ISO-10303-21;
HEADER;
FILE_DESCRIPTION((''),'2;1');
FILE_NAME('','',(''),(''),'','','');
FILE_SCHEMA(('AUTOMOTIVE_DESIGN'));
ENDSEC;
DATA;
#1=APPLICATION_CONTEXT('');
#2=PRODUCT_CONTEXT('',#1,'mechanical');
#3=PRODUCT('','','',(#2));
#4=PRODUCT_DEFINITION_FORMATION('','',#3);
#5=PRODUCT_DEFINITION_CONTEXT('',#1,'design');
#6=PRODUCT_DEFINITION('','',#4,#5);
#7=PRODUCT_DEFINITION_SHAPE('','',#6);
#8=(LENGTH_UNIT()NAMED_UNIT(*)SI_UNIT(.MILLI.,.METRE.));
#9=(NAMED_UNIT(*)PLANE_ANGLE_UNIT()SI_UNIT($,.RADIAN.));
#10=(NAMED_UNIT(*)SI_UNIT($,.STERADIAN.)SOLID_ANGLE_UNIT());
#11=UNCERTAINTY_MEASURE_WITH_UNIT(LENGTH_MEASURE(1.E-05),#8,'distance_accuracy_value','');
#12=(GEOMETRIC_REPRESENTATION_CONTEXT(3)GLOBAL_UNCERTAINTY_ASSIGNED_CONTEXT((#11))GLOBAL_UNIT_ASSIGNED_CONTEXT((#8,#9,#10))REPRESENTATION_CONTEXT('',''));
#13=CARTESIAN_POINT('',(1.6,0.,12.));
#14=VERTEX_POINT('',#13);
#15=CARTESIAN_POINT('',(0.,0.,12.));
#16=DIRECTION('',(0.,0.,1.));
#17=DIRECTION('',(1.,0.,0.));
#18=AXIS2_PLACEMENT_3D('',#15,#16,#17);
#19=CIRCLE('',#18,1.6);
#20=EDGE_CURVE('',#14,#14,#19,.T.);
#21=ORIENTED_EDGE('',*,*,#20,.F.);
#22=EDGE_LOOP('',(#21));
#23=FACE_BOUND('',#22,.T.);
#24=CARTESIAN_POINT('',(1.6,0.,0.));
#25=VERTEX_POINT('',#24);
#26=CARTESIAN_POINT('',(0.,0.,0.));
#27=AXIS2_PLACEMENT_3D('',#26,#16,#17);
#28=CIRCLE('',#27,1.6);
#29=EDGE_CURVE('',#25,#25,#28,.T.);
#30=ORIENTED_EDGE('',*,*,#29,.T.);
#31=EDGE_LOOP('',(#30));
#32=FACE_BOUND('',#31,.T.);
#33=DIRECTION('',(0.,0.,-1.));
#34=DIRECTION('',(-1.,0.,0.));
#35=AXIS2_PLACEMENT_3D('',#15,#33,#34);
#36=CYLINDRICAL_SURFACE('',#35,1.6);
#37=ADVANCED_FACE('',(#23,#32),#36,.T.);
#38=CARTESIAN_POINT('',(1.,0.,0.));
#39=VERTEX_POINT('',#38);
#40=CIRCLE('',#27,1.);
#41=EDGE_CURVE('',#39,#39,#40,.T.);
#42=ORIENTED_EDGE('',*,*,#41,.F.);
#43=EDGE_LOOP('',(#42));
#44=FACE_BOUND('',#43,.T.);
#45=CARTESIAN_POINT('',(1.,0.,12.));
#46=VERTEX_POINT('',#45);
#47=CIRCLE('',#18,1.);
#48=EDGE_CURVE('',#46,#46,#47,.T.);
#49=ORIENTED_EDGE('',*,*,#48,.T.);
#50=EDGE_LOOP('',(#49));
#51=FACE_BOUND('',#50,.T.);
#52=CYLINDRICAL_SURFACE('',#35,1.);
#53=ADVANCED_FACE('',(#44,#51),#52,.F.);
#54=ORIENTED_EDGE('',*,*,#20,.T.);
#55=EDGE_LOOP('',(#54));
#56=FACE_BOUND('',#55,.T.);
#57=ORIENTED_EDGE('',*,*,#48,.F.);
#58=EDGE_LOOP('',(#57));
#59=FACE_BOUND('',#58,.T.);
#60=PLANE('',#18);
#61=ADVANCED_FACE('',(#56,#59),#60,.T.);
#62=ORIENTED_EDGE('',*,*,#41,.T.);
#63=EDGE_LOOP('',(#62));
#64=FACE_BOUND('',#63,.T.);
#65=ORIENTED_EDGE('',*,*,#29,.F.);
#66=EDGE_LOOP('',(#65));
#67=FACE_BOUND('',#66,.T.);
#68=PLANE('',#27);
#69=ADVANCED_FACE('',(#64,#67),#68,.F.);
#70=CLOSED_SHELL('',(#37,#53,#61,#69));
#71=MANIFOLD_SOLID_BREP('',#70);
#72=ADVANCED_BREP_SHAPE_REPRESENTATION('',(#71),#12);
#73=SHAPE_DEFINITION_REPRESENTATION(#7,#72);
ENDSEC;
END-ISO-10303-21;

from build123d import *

# Parameters (mm, degrees)
SKETCH1_R           = 1.6
SKETCH1_R_2         = 1
BOSS_EXTRUDE1_DEPTH = 12


with BuildPart() as part:
    # Sketch1 → Boss-Extrude1 (new body)
    with BuildSketch(Plane.XY):
        Circle(SKETCH1_R)
        Circle(SKETCH1_R_2, mode=Mode.SUBTRACT)
    extrude(amount=BOSS_EXTRUDE1_DEPTH)


solid = part.part
